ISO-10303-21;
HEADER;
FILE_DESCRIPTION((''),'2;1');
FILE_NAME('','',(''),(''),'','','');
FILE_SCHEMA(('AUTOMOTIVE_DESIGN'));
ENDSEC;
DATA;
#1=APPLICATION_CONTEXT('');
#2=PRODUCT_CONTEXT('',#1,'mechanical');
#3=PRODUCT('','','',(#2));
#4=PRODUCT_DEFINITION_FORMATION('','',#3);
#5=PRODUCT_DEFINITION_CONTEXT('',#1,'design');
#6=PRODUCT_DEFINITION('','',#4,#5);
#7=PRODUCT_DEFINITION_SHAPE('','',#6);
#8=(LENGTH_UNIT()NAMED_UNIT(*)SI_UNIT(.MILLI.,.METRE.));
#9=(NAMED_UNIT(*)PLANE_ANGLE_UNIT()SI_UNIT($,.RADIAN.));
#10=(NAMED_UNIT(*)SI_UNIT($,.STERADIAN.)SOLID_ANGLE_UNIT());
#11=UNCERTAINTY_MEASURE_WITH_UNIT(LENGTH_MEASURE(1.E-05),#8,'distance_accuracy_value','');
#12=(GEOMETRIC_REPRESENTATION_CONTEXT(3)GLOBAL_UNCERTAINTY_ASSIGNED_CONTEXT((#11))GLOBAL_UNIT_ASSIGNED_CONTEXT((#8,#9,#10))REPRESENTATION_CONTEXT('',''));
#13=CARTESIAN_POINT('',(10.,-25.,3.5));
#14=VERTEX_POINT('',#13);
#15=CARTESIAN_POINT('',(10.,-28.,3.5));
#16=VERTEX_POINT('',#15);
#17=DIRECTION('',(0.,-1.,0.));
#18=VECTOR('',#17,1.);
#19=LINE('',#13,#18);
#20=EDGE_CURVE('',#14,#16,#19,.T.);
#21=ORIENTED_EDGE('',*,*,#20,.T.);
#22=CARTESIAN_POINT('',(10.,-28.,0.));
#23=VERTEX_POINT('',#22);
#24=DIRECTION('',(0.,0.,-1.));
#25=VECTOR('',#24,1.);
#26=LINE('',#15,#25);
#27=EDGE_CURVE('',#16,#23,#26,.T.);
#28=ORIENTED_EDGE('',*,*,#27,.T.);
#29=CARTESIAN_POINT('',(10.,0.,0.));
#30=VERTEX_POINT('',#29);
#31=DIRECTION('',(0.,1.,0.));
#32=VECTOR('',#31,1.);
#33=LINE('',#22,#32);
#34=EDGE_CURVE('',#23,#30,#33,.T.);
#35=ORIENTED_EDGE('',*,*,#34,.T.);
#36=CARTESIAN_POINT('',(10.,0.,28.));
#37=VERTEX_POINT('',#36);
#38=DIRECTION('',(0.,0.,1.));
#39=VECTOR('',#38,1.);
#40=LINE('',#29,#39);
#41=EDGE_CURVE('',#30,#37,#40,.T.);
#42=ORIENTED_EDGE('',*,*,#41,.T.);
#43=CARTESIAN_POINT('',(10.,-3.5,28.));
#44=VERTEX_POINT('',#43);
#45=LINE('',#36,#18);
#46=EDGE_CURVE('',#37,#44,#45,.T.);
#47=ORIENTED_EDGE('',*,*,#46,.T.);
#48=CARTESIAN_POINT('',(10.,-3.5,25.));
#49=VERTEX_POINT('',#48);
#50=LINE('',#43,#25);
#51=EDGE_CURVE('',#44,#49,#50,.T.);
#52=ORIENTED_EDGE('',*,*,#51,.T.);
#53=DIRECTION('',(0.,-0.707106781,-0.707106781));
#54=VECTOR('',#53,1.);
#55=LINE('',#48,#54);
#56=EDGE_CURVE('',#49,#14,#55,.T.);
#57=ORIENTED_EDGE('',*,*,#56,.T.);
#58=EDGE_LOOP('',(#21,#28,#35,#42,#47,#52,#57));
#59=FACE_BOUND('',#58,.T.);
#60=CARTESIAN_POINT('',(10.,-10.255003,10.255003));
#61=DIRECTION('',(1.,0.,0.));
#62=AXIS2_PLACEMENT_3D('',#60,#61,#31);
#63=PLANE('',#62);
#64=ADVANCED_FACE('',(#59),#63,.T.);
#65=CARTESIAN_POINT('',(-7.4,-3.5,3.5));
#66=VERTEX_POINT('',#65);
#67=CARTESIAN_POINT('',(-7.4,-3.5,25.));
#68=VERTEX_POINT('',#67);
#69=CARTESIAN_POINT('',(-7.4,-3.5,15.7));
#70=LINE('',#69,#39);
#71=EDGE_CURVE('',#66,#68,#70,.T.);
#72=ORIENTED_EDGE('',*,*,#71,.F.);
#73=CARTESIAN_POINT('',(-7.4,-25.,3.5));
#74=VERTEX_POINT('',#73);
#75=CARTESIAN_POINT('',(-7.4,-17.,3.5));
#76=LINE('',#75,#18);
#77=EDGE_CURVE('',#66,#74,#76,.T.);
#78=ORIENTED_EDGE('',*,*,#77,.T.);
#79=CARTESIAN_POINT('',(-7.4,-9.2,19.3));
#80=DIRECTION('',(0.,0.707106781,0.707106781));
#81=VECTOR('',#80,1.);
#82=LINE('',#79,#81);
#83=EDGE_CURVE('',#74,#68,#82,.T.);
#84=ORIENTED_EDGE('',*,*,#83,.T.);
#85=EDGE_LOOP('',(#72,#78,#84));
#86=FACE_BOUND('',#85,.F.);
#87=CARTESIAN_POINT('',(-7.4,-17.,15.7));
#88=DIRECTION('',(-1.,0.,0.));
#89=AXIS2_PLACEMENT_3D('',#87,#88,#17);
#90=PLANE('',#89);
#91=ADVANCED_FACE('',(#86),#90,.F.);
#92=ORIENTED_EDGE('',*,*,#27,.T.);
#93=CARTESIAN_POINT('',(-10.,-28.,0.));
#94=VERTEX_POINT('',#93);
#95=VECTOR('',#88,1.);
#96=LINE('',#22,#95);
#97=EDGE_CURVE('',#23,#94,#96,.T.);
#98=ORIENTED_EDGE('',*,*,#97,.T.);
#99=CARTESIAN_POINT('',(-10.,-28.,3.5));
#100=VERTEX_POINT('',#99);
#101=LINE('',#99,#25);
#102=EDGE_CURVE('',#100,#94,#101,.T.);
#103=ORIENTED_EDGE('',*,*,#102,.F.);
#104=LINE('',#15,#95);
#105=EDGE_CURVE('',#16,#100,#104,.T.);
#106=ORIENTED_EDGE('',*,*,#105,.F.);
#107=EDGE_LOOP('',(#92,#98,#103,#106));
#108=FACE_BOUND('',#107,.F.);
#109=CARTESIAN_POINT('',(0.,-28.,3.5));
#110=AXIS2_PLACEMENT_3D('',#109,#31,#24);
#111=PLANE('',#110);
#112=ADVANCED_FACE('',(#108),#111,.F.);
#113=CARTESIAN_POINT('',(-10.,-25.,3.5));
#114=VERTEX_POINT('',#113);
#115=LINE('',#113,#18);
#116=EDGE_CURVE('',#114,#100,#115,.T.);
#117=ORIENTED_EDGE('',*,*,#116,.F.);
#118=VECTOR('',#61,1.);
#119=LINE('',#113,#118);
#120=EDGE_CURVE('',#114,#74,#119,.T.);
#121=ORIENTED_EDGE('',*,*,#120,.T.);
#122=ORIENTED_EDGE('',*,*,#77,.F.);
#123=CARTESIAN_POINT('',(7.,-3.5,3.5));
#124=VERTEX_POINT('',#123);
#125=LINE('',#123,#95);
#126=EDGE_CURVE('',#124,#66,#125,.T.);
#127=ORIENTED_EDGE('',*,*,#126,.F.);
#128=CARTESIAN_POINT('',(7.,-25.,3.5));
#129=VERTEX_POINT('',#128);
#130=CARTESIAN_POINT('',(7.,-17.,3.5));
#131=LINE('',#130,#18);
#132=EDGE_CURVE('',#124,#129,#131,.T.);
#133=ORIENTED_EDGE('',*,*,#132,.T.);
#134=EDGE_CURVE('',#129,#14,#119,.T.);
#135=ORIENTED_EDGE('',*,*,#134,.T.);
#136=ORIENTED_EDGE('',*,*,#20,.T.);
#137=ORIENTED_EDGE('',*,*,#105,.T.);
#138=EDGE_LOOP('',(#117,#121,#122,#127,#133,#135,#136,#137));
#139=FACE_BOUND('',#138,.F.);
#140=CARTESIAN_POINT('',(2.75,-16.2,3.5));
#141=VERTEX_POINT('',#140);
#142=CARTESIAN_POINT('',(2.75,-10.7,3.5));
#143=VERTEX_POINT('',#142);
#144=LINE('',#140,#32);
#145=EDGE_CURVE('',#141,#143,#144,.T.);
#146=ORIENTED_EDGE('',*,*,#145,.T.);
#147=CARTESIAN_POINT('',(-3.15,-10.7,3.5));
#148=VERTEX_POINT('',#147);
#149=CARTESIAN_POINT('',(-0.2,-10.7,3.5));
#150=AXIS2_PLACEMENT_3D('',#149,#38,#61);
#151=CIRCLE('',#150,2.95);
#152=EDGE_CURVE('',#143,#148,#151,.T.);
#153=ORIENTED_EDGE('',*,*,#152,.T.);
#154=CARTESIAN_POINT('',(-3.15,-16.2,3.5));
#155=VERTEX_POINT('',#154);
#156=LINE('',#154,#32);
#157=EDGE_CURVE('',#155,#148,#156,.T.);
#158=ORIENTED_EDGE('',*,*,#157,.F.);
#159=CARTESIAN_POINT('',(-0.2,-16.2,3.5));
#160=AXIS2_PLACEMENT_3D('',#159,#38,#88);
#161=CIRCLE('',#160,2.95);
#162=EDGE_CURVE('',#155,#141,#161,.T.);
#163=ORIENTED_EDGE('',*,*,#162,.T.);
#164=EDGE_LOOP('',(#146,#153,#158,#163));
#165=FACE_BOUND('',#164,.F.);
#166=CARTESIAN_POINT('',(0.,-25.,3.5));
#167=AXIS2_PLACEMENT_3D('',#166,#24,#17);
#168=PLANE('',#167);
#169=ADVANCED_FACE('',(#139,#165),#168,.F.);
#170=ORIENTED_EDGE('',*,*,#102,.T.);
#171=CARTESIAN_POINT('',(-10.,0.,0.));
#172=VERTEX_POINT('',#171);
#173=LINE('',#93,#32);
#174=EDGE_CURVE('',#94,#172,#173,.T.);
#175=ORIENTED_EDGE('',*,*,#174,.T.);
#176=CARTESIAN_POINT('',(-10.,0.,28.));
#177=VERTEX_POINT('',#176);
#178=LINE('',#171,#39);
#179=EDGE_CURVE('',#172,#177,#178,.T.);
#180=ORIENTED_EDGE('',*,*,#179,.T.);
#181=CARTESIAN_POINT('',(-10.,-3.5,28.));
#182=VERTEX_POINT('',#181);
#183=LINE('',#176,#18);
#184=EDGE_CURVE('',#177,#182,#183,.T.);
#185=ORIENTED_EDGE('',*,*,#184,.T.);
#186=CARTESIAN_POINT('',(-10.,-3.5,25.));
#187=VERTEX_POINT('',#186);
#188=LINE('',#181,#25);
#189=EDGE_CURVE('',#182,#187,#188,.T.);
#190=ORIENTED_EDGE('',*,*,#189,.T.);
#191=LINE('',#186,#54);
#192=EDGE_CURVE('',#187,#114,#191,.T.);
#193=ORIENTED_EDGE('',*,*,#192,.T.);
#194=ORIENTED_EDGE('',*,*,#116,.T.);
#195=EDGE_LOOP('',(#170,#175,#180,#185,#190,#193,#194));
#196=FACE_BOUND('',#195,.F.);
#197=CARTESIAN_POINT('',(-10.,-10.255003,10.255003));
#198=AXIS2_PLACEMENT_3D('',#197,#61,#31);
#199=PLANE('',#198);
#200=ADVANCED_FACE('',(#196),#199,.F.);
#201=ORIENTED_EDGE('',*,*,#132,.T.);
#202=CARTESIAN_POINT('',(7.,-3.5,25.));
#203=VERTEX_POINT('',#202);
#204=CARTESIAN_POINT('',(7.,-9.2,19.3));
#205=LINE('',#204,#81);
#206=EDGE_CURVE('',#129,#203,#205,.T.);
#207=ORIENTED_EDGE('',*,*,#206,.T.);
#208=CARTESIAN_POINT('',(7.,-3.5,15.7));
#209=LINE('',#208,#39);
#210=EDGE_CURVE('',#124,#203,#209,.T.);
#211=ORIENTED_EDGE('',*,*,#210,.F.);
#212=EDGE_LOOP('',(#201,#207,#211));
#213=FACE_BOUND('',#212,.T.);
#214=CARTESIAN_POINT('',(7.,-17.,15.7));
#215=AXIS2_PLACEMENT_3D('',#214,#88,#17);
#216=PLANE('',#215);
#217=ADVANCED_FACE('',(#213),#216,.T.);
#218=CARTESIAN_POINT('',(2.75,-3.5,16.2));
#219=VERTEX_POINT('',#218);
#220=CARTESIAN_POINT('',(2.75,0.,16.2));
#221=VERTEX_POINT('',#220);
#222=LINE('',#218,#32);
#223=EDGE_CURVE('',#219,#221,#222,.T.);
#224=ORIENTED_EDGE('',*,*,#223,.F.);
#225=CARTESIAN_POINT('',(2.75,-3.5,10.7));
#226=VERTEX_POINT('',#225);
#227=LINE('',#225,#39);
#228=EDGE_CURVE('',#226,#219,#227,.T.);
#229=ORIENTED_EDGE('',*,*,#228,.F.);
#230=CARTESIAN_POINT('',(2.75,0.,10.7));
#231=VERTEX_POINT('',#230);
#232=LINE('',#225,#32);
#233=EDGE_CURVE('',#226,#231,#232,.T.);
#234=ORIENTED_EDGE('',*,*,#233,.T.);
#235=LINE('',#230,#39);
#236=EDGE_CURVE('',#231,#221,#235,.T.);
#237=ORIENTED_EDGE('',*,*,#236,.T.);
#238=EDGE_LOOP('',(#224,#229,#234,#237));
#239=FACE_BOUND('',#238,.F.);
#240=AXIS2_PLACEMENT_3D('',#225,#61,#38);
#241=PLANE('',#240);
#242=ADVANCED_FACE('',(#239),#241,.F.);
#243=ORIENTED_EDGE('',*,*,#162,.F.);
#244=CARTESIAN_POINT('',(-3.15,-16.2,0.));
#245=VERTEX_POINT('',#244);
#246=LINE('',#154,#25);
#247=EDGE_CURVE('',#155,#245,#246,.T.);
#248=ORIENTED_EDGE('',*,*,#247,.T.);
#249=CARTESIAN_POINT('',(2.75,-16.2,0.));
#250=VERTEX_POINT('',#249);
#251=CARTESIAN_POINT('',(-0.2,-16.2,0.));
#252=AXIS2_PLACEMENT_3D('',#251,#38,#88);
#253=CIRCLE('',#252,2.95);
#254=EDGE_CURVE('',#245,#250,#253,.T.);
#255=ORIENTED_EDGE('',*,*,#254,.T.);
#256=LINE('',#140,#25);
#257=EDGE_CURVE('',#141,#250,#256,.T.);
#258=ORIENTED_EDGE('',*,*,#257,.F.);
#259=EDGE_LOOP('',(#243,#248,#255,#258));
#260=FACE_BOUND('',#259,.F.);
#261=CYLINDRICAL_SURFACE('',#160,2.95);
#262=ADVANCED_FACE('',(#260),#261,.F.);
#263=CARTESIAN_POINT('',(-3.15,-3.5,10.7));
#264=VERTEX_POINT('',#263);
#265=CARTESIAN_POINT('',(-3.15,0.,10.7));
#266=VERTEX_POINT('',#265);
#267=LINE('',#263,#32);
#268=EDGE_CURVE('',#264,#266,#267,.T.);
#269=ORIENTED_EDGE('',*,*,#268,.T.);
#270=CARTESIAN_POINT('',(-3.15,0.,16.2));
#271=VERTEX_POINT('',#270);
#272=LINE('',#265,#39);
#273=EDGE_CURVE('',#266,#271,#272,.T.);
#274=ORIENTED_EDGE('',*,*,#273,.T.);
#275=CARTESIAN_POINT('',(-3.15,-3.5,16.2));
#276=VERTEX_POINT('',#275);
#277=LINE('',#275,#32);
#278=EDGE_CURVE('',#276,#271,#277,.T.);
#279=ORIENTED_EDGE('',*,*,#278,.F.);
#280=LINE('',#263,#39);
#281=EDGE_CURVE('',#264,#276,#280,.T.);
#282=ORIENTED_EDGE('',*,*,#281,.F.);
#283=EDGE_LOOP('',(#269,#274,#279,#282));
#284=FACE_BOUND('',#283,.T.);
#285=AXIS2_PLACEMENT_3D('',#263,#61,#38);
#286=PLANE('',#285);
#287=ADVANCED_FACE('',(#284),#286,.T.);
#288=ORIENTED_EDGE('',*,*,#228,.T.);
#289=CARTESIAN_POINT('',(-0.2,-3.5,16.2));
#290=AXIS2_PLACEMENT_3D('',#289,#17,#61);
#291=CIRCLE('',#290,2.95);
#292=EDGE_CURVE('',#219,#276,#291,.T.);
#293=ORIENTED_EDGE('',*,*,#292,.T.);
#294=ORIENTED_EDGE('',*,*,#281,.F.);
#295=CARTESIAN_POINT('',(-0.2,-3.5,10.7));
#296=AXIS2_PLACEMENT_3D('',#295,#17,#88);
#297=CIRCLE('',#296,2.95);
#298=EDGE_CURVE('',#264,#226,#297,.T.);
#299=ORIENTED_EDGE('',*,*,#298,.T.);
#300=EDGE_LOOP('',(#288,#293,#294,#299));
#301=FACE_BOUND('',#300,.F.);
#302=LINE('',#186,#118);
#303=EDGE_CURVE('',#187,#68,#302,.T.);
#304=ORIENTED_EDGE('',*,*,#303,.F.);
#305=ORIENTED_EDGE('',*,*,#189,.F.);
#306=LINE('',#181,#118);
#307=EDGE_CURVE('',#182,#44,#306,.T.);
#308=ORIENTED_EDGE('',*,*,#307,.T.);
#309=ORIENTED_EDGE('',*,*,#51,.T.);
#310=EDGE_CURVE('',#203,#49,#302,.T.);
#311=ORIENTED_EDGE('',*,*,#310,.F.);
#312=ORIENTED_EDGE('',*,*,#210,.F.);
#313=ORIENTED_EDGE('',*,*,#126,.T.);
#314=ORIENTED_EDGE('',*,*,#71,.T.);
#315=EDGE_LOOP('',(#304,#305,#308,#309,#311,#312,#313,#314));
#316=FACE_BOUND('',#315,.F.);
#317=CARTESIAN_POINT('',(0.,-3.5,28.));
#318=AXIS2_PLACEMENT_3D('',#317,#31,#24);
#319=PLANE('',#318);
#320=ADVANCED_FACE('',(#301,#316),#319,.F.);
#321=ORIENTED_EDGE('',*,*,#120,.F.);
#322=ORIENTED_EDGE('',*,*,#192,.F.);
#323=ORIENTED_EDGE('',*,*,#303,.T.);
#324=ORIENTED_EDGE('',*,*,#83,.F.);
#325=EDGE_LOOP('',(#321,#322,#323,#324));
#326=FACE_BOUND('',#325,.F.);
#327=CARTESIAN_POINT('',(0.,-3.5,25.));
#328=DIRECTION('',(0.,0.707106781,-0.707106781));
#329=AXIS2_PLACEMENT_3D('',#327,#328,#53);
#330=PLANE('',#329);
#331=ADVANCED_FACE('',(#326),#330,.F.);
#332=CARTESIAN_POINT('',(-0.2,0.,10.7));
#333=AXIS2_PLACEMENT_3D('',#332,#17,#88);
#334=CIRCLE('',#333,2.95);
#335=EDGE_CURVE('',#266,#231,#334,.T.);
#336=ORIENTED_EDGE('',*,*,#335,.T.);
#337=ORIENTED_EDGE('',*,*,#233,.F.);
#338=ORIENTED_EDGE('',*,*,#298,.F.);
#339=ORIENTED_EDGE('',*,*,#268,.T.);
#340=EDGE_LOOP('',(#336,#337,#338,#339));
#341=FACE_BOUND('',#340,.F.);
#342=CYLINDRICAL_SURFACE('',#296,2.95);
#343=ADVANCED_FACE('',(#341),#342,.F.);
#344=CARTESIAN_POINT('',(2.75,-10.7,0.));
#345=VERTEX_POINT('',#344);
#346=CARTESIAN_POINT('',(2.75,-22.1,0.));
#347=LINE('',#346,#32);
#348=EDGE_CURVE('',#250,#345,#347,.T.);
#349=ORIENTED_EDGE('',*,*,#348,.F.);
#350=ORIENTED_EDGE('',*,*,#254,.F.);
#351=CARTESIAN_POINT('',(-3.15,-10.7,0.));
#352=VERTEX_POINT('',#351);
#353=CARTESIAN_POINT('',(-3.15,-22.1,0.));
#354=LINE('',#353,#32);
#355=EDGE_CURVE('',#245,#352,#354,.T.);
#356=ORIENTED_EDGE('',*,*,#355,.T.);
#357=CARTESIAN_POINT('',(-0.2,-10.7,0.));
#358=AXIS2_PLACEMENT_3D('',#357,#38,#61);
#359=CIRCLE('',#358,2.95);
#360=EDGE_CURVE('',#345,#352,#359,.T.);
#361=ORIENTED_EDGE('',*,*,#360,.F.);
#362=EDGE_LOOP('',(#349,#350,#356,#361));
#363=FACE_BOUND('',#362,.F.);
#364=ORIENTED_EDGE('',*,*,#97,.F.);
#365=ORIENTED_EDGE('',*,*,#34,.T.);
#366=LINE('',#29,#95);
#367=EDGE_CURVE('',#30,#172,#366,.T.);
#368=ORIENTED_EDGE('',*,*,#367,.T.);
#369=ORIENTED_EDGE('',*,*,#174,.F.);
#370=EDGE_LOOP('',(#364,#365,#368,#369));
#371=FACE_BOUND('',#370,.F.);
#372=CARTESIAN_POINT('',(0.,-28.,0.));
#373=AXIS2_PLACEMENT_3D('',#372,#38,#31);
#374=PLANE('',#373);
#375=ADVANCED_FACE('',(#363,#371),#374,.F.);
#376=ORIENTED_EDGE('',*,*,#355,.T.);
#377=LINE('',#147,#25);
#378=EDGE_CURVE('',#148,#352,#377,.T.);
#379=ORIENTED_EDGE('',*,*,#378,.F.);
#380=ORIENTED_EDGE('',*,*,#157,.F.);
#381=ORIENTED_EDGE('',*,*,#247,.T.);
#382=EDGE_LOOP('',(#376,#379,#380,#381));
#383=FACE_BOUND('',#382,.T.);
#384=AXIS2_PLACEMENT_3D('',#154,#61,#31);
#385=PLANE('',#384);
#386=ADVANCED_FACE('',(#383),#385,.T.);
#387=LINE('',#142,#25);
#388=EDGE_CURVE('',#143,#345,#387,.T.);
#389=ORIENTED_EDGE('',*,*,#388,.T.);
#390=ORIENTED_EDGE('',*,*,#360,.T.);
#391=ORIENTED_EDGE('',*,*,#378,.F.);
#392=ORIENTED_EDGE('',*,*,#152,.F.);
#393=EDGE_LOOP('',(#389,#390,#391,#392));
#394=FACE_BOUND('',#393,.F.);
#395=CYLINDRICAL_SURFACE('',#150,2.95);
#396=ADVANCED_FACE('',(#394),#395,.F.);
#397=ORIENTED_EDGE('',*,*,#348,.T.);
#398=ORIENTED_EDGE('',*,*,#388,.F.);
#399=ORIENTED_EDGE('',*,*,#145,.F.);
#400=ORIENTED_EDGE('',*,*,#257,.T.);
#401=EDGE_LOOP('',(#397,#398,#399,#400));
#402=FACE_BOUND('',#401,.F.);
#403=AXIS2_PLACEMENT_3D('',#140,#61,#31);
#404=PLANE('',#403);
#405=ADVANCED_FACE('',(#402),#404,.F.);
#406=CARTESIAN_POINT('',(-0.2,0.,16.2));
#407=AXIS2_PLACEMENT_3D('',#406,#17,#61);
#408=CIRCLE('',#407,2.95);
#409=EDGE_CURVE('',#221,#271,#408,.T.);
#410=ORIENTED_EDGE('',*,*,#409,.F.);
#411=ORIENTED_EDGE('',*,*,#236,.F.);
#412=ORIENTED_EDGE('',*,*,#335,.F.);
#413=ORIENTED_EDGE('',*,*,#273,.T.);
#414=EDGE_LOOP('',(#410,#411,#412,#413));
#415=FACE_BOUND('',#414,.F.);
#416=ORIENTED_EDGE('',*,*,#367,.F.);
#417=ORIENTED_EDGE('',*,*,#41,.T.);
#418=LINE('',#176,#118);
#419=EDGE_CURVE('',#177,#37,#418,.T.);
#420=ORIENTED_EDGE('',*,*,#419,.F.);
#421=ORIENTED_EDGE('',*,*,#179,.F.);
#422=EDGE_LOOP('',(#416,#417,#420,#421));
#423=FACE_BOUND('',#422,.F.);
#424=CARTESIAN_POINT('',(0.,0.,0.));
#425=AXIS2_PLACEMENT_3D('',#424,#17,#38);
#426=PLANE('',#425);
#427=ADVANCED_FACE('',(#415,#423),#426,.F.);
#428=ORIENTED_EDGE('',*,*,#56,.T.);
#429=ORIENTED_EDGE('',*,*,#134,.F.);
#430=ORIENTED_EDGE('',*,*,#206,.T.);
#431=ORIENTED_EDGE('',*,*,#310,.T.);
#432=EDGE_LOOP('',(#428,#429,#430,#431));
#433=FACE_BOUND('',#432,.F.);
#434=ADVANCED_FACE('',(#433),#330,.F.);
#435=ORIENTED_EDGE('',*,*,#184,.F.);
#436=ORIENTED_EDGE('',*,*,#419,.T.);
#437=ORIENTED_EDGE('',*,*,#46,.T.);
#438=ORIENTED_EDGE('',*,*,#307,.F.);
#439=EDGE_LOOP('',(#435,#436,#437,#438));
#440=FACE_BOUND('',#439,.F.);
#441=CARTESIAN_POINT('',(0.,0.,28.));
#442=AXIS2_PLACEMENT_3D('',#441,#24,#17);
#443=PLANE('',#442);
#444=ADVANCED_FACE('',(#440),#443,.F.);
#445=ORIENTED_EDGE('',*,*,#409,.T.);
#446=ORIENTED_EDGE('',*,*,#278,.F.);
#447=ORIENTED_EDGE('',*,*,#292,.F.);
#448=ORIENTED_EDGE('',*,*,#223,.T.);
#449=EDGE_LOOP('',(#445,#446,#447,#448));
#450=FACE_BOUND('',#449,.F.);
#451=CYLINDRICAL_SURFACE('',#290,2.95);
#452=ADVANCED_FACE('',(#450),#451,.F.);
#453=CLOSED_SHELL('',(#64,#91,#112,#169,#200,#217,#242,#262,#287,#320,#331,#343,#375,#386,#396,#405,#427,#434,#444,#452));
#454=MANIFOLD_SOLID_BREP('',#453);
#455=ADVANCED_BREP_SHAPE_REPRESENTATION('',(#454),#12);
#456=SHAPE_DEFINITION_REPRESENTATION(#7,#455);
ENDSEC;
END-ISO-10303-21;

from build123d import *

# Parameters (mm, degrees)
PAD_DEPTH            = 10
BOX_W                = 27
BOX_H                = 24.4
BOX_DEPTH            = 14.4
POCKET_DEPTH         = 3.5
POCKET001_DEPTH      = 4
BODY_ROLL_ANGLE      = 90
BODY_PLACEMENT_ANGLE = -90


with BuildPart() as part:
    # Sketch → Pad (new body, symmetric)
    with BuildSketch(Plane.XY):
        Polygon((0, 0), (0, 28), (3.5, 28), (3.5, 25), (25, 3.5), (28, 3.5), (28, 0), align=None)
    extrude(amount=PAD_DEPTH, both=True)

    # Box → Box (cut)
    with BuildSketch(Plane(origin=(3.5, 3.5, -7), x_dir=(1, 0, 0), z_dir=(0, 0, 1))):
        with Locations((13.5, 12.2)):
            Rectangle(BOX_W, BOX_H)
    extrude(amount=BOX_DEPTH, mode=Mode.SUBTRACT)

    # Sketch001 (on Face17 of Box) → Pocket (cut)
    with BuildSketch(Plane(origin=(3.5, 3.5, -7), x_dir=(0, 1, 0), z_dir=(1, 0, 0))):
        with BuildLine():
            ThreePointArc((7.2, 10.15), (4.25, 7.2), (7.2, 4.25))
            Line((7.2, 4.25), (12.7, 4.25))
            ThreePointArc((12.7, 4.25), (15.65, 7.2), (12.7, 10.15))
            Line((7.2, 10.15), (12.7, 10.15))
        make_face()
    extrude(amount=-POCKET_DEPTH, mode=Mode.SUBTRACT)

    # Sketch002 (on Face21 of Pocket) → Pocket001 (cut)
    with BuildSketch(Plane(origin=(3.5, 3.5, -7), x_dir=(-1, 0, 0), z_dir=(0, 1, 0))):
        with BuildLine():
            ThreePointArc((-12.7, 10.15), (-15.65, 7.2), (-12.7, 4.25))
            Line((-12.7, 4.25), (-7.2, 4.25))
            ThreePointArc((-7.2, 4.25), (-4.25, 7.2), (-7.2, 10.15))
            Line((-12.7, 10.15), (-7.2, 10.15))
        make_face()
    extrude(amount=-POCKET001_DEPTH, mode=Mode.SUBTRACT)


with BuildPart() as part_1:
    # Body roll: moved
    add(part.part.rotate(Axis((0, 0, 0), (1, 0, 0)), BODY_ROLL_ANGLE))


with BuildPart() as part_2:
    # Body placement: moved
    add(part_1.part.rotate(Axis((0, 0, 0), (0, 0, 1)), BODY_PLACEMENT_ANGLE))


solid = part_2.part
